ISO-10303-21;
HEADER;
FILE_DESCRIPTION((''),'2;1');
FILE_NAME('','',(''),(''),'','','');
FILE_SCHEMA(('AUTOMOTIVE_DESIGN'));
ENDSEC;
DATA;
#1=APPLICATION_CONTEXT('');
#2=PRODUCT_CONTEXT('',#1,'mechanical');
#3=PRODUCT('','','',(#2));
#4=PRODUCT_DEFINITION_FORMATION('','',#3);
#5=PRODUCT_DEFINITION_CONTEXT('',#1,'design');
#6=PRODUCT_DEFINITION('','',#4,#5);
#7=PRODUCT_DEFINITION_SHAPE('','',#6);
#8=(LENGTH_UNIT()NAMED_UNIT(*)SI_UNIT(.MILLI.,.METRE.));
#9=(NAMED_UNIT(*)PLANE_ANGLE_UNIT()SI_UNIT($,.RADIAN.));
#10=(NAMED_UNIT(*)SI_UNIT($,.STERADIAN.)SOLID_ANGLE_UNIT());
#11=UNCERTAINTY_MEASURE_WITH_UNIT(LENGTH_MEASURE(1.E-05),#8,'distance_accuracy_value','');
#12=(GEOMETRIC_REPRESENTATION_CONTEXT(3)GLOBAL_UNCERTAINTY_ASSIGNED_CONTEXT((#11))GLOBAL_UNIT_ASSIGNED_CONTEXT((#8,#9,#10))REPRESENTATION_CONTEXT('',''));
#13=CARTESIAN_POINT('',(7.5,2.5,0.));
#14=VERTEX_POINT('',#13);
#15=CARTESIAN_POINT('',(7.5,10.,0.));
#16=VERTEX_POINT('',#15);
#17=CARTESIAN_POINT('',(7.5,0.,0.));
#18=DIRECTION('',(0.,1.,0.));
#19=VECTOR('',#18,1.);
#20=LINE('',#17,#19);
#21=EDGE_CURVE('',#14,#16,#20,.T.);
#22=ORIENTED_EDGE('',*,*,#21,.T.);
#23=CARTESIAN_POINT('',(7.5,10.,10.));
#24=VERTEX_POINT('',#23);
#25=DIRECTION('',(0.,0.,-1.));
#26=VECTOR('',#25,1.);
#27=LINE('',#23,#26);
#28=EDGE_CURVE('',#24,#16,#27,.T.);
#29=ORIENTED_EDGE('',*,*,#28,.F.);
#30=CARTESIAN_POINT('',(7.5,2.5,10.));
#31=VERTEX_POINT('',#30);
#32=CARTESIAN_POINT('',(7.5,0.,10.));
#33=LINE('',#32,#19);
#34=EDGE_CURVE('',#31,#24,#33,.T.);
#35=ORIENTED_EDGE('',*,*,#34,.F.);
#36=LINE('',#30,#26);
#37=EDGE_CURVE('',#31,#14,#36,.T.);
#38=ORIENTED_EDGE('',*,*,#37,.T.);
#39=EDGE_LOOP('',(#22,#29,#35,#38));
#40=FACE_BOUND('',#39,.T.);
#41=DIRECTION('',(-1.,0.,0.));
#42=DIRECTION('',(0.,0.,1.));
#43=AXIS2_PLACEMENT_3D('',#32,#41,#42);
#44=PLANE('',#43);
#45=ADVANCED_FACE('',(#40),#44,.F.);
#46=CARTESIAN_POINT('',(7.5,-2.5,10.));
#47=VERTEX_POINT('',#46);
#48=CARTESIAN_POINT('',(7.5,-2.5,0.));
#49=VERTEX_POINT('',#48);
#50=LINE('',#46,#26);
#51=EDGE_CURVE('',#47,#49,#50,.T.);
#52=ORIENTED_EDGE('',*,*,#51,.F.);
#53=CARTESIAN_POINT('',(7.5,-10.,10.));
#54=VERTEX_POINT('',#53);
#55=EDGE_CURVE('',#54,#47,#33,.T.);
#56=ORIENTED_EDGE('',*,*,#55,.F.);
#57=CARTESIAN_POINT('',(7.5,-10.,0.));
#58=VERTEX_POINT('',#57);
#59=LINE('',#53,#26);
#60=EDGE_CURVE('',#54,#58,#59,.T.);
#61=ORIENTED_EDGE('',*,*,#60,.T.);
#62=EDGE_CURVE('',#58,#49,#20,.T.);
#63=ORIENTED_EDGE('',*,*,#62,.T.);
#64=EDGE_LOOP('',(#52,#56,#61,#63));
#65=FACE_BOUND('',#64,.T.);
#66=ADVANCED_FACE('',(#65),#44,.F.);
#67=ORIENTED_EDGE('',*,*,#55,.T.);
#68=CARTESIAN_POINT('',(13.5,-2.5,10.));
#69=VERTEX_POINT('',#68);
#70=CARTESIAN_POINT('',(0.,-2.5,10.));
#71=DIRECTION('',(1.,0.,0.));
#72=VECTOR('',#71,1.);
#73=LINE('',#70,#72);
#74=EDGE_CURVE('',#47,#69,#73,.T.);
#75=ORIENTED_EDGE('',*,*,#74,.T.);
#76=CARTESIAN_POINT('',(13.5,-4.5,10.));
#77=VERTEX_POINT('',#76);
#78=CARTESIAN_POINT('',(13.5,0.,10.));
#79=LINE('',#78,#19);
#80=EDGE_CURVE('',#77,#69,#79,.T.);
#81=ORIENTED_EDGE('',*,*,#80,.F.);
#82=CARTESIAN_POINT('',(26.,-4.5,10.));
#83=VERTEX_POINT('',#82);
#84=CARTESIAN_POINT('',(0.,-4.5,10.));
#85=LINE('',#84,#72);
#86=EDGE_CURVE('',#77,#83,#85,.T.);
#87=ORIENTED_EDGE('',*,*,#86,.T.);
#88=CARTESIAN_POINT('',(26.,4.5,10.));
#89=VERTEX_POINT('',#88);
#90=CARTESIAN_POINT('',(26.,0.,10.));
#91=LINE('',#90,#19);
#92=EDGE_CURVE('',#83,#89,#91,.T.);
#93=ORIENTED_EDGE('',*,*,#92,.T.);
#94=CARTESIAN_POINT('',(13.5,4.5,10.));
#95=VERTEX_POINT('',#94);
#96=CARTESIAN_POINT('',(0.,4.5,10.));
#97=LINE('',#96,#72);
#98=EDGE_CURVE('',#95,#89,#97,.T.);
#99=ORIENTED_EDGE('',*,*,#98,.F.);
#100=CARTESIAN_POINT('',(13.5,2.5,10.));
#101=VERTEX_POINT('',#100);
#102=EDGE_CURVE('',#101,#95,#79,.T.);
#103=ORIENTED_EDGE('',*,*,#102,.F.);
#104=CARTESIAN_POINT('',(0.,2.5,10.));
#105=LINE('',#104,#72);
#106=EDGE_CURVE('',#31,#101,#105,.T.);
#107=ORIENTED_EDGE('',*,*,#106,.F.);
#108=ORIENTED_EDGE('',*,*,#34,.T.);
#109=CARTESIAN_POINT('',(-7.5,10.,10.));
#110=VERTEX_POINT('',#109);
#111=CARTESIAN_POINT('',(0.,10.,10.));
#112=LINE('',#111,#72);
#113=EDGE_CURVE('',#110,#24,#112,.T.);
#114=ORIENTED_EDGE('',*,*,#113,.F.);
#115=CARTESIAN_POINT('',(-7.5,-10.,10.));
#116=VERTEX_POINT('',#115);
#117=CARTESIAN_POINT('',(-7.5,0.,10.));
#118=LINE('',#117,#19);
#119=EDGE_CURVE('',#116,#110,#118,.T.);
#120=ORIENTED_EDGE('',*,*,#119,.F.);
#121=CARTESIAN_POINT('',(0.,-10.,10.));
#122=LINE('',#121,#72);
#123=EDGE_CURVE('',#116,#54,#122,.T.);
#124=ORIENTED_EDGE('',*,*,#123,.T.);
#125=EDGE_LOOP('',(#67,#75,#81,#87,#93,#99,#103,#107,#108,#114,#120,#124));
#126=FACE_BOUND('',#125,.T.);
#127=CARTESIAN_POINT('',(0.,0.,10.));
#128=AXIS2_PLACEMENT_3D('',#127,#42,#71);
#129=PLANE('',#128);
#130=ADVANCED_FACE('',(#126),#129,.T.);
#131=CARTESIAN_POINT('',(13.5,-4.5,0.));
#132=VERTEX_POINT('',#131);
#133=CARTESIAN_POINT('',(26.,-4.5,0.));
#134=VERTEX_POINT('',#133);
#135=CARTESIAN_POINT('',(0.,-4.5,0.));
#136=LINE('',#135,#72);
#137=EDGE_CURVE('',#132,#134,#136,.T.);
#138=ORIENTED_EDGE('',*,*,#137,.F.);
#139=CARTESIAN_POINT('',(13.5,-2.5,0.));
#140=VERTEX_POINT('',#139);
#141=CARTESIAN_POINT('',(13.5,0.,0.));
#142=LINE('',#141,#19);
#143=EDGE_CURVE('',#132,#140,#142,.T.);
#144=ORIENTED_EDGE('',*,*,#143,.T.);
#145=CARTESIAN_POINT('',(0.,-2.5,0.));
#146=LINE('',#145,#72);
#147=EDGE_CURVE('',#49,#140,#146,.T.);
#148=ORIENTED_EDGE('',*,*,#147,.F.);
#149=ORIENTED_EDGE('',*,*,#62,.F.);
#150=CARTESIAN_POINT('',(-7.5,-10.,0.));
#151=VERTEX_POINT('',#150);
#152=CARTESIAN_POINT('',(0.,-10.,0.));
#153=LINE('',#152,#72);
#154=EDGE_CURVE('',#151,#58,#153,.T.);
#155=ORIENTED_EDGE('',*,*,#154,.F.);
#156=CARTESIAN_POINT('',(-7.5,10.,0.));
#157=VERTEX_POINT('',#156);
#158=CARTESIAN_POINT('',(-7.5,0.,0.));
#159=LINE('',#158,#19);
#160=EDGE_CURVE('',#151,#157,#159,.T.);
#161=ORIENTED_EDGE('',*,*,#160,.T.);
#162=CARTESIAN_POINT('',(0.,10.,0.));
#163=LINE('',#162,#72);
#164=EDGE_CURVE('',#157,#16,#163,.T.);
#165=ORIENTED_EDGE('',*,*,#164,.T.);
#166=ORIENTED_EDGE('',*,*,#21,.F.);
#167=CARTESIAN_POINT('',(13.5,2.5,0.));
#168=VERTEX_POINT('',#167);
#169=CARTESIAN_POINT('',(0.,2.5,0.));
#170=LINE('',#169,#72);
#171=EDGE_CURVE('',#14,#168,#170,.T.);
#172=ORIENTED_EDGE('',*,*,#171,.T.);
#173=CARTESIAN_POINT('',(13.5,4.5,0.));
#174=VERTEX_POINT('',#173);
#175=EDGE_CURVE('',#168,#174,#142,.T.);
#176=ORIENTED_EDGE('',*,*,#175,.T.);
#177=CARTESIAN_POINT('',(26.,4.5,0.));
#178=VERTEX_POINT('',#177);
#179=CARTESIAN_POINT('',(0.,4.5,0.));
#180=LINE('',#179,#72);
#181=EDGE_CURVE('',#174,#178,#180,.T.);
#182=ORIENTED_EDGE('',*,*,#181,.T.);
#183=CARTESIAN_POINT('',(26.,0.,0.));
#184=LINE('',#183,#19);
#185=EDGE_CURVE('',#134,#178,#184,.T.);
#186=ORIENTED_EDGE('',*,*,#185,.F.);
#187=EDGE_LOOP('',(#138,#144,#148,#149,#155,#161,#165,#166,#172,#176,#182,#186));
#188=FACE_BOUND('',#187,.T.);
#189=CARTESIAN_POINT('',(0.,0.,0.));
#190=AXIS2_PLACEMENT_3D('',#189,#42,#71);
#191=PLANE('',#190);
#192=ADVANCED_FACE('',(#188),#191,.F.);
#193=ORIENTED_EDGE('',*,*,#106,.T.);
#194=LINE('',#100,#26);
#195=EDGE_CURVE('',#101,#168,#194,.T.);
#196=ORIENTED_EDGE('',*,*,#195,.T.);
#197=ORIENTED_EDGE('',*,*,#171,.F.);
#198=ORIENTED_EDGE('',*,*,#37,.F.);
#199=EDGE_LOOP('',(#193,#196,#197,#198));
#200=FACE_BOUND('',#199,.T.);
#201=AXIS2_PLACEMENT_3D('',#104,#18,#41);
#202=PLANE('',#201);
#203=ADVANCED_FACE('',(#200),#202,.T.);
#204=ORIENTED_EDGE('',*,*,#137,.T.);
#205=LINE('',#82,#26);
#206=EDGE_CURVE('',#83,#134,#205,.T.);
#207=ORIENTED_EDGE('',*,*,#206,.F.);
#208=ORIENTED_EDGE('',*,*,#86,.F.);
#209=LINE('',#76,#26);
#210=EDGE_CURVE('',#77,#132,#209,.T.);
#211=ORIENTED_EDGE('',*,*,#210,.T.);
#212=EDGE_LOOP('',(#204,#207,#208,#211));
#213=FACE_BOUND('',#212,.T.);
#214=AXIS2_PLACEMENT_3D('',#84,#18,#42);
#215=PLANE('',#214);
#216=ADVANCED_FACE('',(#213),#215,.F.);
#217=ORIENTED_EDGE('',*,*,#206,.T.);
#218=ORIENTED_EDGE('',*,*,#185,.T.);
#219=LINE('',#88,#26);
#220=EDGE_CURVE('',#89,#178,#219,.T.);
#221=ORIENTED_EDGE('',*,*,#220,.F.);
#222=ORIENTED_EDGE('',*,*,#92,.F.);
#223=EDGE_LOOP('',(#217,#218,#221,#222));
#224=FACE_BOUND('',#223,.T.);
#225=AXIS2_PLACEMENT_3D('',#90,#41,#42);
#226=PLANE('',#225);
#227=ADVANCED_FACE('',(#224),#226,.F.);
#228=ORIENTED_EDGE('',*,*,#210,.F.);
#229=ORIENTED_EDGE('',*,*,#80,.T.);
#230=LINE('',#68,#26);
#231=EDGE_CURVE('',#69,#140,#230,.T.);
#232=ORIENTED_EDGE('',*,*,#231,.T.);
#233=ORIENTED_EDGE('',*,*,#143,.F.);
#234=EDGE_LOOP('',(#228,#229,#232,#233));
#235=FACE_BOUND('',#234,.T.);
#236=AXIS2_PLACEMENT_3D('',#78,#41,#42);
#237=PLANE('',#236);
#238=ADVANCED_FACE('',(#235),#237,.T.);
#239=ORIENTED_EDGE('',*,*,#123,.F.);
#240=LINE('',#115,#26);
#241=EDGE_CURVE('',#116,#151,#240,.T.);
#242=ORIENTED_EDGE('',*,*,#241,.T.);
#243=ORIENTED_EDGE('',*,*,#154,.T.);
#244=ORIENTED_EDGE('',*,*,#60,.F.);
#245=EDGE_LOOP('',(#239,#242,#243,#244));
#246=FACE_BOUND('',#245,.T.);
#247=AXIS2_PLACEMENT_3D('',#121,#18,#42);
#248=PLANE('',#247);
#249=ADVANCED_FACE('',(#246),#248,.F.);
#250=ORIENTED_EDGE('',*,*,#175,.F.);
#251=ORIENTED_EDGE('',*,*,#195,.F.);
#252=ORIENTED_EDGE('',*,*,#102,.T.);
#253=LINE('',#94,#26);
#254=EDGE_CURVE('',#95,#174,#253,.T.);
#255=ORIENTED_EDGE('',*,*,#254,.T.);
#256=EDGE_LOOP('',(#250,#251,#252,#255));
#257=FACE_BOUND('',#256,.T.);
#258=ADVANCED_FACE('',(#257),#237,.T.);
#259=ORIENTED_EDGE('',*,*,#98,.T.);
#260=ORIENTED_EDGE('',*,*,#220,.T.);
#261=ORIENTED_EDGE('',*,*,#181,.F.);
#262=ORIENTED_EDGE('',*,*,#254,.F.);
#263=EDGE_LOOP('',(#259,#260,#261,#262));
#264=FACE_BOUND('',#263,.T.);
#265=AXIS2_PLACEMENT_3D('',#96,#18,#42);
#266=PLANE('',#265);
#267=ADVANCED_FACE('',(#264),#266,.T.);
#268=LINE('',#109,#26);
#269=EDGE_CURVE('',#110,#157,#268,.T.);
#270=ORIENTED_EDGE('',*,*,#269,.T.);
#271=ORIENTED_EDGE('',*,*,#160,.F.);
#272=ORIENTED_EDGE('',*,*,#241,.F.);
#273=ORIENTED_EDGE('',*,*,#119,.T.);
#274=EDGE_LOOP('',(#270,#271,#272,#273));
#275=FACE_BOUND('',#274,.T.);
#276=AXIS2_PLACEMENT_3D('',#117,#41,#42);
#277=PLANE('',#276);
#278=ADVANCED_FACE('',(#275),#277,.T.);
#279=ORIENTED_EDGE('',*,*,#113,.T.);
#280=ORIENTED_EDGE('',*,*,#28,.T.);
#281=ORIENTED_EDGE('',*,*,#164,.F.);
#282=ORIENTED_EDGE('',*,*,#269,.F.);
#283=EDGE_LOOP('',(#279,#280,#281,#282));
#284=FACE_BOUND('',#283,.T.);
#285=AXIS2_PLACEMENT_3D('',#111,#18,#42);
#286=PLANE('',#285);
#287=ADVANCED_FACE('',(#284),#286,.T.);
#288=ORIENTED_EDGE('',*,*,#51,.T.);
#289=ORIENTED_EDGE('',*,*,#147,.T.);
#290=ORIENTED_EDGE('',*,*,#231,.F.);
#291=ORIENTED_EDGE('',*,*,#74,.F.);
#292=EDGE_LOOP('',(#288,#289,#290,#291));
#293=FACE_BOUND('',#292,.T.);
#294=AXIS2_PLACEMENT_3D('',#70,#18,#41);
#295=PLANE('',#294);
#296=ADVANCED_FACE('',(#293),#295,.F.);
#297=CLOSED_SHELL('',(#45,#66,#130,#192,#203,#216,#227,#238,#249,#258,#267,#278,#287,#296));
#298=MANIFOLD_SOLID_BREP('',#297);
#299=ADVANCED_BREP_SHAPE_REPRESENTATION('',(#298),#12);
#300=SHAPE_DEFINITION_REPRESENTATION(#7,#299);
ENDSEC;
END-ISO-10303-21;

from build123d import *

# Parameters (mm, degrees)
SKETCH1_W           = 15
SKETCH1_H           = 20
SKETCH1_W_2         = 6
SKETCH1_H_2         = 5
BOSS_EXTRUDE1_DEPTH = 10


with BuildPart() as part:
    # Sketch1 → Boss-Extrude1 (new body)
    with BuildSketch(Plane.XY):
        Rectangle(SKETCH1_W, SKETCH1_H)
        with Locations((10.5, 0)):
            Rectangle(SKETCH1_W_2, SKETCH1_H_2)
        Polygon((13.5, 2.5), (13.5, -2.5), (13.5, -4.5), (26, -4.5), (26, 4.5), (13.5, 4.5), align=None)
    extrude(amount=BOSS_EXTRUDE1_DEPTH)


solid = part.part
